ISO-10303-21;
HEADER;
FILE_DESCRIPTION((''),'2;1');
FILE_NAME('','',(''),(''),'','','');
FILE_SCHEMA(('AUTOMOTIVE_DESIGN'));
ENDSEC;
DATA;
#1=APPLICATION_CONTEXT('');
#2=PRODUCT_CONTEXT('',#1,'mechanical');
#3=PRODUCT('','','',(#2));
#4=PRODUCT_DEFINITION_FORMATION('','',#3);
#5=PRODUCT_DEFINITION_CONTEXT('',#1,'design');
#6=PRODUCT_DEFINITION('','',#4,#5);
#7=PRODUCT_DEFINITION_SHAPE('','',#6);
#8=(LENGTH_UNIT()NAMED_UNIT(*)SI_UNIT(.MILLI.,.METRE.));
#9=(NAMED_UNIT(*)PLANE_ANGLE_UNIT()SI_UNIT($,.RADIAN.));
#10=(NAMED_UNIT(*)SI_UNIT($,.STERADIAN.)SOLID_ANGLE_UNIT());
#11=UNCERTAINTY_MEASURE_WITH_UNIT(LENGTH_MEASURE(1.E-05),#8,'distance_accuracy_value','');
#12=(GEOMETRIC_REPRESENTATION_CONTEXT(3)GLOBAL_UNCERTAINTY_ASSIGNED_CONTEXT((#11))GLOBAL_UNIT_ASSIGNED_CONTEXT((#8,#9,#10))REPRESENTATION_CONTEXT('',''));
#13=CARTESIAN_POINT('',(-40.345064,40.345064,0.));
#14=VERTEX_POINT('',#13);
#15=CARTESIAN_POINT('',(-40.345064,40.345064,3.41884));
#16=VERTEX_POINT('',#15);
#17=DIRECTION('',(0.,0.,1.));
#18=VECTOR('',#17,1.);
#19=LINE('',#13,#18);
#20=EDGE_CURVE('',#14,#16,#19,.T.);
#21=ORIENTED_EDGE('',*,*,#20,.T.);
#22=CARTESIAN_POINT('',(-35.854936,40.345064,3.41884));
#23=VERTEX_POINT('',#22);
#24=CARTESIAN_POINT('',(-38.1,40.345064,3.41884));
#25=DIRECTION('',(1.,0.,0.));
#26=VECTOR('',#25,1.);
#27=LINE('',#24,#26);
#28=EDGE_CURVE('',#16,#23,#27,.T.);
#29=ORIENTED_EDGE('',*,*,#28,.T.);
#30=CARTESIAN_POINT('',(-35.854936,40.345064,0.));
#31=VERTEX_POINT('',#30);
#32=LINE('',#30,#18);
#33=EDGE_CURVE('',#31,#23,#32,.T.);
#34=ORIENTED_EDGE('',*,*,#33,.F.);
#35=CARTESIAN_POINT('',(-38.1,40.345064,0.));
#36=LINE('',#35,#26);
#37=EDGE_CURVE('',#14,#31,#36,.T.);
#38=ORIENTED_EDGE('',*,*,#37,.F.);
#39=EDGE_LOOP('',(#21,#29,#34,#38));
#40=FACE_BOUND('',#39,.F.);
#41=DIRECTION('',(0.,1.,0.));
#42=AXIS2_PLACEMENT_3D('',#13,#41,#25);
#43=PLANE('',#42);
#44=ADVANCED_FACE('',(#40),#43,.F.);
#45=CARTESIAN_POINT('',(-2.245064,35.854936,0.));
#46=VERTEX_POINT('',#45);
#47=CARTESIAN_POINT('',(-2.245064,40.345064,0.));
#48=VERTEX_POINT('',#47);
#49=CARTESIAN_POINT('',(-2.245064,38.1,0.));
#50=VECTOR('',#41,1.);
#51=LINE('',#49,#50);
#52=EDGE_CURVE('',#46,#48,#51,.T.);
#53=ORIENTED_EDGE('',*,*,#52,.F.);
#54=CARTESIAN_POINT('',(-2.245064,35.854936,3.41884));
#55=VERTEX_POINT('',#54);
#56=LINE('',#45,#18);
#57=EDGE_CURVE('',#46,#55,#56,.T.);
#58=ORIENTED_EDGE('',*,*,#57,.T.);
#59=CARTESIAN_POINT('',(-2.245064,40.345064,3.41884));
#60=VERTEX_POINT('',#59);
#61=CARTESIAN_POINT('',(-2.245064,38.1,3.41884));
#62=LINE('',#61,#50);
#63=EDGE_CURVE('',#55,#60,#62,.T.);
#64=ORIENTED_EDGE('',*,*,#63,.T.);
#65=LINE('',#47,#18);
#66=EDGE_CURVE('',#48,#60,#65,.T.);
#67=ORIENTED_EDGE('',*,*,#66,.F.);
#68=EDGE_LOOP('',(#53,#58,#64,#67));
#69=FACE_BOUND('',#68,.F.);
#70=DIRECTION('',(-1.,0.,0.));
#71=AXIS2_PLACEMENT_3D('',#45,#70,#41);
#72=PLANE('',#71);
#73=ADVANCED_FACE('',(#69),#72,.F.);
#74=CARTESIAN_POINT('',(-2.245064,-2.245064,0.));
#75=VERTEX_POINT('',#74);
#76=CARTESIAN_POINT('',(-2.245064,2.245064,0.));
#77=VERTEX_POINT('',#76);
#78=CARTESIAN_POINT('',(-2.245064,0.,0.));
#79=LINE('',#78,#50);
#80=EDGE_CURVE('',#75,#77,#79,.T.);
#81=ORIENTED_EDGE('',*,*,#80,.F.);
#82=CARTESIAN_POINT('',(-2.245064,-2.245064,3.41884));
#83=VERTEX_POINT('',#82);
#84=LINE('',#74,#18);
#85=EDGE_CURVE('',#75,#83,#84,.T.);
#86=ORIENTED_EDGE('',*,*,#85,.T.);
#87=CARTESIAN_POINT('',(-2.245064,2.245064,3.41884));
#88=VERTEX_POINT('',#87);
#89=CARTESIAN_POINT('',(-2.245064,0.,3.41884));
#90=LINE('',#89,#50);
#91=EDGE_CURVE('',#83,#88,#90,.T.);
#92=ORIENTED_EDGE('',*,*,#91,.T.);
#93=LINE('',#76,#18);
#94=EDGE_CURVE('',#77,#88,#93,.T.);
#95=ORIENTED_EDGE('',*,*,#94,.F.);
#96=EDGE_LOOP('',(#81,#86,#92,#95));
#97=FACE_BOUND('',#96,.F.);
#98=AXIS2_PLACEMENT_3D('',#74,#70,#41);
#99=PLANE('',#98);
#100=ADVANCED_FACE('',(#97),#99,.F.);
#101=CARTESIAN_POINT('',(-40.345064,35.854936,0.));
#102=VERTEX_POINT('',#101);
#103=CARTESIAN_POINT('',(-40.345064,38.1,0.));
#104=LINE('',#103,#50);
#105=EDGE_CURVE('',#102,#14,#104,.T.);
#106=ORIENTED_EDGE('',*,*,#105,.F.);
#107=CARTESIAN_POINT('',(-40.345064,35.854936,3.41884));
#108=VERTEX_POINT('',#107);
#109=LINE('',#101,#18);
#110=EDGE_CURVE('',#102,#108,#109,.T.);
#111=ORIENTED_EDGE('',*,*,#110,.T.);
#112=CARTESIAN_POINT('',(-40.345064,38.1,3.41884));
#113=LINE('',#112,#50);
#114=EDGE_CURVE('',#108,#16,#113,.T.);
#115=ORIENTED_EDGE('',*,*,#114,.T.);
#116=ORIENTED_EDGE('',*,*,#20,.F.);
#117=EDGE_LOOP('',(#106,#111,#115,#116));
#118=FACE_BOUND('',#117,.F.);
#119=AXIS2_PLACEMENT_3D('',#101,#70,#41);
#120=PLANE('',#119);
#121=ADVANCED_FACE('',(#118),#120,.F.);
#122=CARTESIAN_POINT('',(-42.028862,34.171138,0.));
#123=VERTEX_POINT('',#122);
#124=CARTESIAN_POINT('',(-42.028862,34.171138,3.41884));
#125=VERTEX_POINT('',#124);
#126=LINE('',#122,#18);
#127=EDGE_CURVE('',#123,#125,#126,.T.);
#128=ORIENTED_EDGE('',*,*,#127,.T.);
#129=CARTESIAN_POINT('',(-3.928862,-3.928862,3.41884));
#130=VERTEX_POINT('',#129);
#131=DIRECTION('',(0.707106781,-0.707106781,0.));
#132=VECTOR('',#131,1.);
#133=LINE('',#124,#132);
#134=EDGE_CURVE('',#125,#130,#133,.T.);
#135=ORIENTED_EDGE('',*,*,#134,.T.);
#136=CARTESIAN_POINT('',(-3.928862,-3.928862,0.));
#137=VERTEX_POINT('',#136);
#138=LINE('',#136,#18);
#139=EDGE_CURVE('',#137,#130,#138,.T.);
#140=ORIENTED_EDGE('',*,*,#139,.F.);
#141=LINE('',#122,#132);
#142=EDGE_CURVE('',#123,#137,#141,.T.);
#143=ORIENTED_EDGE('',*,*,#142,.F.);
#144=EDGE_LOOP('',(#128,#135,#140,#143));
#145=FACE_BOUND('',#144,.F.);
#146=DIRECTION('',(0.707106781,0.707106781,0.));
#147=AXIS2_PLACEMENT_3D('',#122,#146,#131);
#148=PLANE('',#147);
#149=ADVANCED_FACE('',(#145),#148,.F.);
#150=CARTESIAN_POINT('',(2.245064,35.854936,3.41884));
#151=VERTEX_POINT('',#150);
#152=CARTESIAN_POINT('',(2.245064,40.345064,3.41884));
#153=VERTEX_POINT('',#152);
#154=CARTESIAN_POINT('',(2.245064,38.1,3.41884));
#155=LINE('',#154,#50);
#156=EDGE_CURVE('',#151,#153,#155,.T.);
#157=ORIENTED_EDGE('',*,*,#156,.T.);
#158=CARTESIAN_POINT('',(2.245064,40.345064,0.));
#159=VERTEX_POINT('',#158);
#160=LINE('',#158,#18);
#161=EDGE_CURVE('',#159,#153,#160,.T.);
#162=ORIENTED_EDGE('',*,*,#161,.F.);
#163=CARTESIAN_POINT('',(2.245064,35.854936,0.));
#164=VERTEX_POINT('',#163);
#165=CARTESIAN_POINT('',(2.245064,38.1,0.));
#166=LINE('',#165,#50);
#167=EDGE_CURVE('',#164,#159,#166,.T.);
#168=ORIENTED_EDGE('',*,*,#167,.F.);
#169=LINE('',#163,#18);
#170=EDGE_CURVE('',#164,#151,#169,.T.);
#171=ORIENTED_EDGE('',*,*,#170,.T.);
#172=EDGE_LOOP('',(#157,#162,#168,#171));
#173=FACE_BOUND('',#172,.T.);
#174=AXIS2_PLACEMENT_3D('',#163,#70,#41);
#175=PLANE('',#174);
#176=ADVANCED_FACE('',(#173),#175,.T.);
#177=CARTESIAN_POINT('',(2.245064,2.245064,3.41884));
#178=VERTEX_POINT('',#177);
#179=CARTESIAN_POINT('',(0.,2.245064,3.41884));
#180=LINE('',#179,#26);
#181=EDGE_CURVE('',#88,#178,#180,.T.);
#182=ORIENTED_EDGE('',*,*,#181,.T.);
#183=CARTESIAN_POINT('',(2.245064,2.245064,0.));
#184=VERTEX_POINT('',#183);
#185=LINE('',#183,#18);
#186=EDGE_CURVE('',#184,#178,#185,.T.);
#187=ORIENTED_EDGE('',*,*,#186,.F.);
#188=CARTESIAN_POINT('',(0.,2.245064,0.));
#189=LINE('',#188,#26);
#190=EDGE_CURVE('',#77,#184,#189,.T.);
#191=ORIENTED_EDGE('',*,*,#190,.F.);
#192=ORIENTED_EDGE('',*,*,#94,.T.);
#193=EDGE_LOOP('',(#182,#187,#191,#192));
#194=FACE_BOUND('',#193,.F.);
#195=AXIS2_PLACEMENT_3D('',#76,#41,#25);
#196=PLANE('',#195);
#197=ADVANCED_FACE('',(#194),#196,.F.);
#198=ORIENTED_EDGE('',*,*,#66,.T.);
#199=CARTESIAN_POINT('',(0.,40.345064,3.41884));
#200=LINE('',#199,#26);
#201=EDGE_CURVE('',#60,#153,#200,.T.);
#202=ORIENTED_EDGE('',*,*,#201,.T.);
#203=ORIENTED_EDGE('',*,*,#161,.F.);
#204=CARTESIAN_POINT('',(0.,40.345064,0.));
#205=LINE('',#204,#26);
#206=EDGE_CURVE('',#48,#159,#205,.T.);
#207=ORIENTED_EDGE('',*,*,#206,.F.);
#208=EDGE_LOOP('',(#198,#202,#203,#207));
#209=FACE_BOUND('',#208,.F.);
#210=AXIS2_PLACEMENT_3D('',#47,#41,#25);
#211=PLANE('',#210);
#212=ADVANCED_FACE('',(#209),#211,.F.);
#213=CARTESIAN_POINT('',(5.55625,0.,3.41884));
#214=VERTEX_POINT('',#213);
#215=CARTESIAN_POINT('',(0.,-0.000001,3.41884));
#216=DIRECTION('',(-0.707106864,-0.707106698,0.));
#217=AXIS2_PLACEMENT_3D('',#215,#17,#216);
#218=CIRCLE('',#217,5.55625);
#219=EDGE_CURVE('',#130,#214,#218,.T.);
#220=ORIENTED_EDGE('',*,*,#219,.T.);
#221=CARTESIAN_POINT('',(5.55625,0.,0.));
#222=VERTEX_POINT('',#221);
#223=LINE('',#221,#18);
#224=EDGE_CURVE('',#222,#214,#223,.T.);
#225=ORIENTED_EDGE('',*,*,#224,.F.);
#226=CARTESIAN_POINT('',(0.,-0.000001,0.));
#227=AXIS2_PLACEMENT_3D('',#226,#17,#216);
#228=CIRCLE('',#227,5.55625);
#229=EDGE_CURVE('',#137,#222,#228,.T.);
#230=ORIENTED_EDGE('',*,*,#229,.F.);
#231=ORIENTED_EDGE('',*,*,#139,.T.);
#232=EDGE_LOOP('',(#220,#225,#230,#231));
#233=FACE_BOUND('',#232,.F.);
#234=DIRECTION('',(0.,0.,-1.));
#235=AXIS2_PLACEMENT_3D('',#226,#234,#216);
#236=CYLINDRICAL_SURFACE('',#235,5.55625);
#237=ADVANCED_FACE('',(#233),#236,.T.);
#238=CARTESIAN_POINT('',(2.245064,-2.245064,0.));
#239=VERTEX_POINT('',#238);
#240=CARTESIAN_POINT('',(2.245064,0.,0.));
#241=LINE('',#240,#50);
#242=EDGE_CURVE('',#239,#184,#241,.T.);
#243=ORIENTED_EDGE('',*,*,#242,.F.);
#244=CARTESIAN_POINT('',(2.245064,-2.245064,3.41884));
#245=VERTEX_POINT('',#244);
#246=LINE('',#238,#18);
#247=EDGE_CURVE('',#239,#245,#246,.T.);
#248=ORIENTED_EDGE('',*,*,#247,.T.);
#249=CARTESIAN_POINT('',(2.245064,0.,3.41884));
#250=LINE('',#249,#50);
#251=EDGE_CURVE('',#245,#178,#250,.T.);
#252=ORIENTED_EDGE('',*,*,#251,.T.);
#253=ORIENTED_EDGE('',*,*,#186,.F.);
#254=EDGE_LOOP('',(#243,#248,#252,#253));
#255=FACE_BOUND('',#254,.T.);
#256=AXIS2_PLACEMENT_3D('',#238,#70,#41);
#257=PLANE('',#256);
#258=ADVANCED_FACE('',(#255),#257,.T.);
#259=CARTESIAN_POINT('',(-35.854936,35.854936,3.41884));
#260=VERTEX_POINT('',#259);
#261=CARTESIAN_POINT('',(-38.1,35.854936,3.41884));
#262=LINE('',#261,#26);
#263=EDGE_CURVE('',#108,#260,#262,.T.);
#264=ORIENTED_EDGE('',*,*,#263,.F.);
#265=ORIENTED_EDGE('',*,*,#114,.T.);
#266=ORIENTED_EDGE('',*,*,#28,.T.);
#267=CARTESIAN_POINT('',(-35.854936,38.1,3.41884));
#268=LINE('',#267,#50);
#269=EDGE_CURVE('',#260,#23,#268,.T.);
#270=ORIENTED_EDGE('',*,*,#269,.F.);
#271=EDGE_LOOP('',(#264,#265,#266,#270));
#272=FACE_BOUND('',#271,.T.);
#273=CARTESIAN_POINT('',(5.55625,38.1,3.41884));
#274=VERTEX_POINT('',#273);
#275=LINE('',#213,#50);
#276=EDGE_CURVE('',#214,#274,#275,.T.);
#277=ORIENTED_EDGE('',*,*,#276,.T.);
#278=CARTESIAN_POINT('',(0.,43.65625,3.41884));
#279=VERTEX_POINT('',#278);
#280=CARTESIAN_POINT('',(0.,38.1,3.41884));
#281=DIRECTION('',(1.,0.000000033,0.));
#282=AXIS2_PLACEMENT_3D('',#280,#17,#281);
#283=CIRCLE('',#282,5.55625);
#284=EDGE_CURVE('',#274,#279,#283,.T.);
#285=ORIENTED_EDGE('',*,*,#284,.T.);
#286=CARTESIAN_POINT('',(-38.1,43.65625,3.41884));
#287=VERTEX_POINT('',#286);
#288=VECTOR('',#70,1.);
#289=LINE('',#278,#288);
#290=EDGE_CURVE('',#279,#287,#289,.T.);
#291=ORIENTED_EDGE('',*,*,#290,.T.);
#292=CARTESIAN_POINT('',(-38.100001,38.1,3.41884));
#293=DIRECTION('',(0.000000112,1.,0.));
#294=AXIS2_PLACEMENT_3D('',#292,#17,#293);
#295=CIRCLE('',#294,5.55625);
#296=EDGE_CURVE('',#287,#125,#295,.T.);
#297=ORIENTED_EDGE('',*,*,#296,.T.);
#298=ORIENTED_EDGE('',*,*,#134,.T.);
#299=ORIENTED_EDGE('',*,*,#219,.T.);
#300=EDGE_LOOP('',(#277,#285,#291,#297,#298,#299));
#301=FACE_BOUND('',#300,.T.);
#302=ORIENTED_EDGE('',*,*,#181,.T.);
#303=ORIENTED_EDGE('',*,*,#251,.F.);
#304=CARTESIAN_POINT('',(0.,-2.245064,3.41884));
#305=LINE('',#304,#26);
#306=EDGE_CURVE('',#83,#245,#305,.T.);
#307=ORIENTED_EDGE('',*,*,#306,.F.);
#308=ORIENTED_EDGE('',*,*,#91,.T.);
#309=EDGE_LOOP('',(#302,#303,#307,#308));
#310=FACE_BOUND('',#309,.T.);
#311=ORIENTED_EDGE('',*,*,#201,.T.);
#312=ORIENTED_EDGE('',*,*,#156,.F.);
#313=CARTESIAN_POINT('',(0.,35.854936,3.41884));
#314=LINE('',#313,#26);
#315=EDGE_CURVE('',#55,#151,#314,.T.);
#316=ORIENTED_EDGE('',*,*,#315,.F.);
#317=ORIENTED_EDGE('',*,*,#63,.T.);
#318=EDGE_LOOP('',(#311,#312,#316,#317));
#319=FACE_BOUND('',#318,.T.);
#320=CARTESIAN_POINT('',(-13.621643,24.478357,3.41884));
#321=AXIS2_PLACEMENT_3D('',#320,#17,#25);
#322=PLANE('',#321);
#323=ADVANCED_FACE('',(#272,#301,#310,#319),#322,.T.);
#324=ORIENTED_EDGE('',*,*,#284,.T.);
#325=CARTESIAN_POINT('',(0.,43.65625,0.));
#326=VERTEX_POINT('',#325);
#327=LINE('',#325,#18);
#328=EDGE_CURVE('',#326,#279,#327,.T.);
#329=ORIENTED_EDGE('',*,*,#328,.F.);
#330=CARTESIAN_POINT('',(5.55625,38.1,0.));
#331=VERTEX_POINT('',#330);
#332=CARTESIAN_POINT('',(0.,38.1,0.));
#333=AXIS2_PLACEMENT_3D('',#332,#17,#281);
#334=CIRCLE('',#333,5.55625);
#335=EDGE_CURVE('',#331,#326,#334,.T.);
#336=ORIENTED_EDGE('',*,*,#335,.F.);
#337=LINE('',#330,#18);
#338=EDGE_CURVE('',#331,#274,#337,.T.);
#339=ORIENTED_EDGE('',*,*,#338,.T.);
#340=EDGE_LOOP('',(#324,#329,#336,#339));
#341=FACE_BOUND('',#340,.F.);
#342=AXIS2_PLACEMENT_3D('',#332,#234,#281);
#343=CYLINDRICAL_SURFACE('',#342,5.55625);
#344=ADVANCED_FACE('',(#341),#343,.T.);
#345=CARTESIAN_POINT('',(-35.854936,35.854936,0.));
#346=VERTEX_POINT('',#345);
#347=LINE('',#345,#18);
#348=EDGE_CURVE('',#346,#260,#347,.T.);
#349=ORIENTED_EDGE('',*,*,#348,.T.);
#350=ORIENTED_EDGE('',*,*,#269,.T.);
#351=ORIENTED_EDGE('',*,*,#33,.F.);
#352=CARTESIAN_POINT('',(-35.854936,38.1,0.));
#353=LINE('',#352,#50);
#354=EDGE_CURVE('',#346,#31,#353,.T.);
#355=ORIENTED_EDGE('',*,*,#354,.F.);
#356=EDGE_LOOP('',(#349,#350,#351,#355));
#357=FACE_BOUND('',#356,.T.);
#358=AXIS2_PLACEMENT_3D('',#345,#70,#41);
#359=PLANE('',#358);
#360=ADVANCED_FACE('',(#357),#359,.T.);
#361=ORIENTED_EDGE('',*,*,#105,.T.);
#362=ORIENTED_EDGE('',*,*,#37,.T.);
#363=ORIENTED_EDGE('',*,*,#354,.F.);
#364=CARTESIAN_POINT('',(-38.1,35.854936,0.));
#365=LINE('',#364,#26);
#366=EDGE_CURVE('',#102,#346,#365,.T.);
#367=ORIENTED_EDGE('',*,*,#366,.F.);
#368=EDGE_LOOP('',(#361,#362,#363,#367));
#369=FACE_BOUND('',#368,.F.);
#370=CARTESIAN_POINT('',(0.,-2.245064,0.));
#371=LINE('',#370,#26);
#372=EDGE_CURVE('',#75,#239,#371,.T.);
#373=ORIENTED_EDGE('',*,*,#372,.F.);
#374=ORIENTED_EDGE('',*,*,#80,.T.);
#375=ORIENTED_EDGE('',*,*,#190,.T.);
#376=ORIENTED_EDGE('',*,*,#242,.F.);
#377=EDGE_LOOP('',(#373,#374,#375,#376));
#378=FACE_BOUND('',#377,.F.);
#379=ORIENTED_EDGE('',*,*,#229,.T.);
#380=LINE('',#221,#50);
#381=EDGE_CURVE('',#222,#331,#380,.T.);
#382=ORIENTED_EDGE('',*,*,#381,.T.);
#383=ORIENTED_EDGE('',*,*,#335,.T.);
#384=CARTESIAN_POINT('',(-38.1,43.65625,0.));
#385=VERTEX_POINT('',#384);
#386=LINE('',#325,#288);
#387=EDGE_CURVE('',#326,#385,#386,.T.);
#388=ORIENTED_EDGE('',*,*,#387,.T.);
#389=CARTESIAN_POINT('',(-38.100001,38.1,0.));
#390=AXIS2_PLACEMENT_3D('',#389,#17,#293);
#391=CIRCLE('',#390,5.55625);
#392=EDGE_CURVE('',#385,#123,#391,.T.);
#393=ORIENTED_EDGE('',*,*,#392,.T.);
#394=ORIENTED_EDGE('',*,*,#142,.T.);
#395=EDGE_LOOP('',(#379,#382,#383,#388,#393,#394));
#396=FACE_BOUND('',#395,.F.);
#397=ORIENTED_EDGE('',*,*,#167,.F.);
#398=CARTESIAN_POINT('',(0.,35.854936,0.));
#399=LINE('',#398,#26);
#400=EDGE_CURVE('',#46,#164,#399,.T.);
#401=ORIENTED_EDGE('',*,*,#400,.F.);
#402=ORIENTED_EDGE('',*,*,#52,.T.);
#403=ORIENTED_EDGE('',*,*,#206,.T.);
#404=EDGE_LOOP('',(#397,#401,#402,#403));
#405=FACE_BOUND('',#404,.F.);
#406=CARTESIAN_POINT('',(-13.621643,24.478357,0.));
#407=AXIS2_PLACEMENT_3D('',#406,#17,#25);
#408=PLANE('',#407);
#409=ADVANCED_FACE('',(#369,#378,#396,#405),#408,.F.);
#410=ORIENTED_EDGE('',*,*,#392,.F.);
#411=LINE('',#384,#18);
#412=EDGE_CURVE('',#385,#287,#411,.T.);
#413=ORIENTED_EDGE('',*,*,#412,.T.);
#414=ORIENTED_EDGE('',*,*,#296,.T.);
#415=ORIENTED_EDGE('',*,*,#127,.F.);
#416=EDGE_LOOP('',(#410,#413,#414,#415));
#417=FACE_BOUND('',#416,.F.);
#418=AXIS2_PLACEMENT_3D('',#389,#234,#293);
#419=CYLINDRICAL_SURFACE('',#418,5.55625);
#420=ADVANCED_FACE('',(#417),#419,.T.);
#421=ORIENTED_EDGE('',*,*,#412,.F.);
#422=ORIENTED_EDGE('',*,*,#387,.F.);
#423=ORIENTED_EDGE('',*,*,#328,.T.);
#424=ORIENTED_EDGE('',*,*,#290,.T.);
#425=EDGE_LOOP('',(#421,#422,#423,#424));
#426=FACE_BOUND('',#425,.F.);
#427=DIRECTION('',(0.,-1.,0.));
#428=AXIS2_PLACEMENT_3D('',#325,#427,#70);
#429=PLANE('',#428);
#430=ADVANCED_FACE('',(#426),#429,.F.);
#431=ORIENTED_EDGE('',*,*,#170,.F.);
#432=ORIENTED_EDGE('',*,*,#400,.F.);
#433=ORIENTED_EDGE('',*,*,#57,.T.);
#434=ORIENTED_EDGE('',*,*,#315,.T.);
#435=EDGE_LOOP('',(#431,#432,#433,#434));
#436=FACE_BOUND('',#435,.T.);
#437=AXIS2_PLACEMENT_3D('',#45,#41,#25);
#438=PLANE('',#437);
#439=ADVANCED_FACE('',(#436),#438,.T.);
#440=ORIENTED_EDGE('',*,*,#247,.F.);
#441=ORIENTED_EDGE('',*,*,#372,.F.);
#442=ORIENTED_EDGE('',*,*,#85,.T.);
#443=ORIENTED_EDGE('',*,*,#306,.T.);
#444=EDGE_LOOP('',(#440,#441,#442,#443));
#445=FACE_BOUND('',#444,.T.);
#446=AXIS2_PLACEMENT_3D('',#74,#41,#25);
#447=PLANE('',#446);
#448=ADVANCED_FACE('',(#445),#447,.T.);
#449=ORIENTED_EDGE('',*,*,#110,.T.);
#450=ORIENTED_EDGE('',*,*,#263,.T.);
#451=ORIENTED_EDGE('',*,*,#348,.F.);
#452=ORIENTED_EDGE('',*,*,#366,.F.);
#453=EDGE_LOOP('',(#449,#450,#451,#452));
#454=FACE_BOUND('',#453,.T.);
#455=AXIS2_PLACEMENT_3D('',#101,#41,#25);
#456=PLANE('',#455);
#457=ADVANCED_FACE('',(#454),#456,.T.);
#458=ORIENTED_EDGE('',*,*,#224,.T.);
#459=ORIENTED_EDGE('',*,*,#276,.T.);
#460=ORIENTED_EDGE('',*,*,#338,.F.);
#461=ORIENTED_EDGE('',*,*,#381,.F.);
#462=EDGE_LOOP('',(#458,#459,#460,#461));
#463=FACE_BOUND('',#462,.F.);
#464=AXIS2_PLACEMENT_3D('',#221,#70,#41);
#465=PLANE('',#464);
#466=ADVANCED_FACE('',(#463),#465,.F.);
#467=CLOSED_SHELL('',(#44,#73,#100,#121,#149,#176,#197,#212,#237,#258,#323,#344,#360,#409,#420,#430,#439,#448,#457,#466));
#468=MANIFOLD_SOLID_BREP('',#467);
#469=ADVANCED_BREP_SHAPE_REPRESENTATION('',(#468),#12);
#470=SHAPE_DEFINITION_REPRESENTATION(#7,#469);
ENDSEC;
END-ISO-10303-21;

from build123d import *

# Parameters (mm, degrees)
F0_W     = 4.490128
F0_H     = 4.490128
F1_DEPTH = 3.41884


with BuildPart() as f1:
    # F0 (on Top) → F1 (new body)
    with BuildSketch(Plane.XY):
        with BuildLine():
            Line((5.55625, 0), (5.55625, 38.1))
            ThreePointArc((5.55625, 38.1), (3.928862, 42.028862), (0, 43.65625))
            Line((0, 43.65625), (-38.1, 43.65625))
            ThreePointArc((-38.1, 43.65625), (-43.233306, 40.226285), (-42.028862, 34.171138))
            Line((-42.028862, 34.171138), (-3.928862, -3.928862))
            ThreePointArc((-3.928862, -3.928862), (2.126285, -5.133306), (5.55625, 0))
        make_face()
        Rectangle(F0_W, F0_H, mode=Mode.SUBTRACT)
        with Locations((-38.1, 38.1)):
            Rectangle(F0_W, F0_H, mode=Mode.SUBTRACT)
        with Locations((0, 38.1)):
            Rectangle(F0_W, F0_H, mode=Mode.SUBTRACT)
    extrude(amount=F1_DEPTH)


solid = f1.part
